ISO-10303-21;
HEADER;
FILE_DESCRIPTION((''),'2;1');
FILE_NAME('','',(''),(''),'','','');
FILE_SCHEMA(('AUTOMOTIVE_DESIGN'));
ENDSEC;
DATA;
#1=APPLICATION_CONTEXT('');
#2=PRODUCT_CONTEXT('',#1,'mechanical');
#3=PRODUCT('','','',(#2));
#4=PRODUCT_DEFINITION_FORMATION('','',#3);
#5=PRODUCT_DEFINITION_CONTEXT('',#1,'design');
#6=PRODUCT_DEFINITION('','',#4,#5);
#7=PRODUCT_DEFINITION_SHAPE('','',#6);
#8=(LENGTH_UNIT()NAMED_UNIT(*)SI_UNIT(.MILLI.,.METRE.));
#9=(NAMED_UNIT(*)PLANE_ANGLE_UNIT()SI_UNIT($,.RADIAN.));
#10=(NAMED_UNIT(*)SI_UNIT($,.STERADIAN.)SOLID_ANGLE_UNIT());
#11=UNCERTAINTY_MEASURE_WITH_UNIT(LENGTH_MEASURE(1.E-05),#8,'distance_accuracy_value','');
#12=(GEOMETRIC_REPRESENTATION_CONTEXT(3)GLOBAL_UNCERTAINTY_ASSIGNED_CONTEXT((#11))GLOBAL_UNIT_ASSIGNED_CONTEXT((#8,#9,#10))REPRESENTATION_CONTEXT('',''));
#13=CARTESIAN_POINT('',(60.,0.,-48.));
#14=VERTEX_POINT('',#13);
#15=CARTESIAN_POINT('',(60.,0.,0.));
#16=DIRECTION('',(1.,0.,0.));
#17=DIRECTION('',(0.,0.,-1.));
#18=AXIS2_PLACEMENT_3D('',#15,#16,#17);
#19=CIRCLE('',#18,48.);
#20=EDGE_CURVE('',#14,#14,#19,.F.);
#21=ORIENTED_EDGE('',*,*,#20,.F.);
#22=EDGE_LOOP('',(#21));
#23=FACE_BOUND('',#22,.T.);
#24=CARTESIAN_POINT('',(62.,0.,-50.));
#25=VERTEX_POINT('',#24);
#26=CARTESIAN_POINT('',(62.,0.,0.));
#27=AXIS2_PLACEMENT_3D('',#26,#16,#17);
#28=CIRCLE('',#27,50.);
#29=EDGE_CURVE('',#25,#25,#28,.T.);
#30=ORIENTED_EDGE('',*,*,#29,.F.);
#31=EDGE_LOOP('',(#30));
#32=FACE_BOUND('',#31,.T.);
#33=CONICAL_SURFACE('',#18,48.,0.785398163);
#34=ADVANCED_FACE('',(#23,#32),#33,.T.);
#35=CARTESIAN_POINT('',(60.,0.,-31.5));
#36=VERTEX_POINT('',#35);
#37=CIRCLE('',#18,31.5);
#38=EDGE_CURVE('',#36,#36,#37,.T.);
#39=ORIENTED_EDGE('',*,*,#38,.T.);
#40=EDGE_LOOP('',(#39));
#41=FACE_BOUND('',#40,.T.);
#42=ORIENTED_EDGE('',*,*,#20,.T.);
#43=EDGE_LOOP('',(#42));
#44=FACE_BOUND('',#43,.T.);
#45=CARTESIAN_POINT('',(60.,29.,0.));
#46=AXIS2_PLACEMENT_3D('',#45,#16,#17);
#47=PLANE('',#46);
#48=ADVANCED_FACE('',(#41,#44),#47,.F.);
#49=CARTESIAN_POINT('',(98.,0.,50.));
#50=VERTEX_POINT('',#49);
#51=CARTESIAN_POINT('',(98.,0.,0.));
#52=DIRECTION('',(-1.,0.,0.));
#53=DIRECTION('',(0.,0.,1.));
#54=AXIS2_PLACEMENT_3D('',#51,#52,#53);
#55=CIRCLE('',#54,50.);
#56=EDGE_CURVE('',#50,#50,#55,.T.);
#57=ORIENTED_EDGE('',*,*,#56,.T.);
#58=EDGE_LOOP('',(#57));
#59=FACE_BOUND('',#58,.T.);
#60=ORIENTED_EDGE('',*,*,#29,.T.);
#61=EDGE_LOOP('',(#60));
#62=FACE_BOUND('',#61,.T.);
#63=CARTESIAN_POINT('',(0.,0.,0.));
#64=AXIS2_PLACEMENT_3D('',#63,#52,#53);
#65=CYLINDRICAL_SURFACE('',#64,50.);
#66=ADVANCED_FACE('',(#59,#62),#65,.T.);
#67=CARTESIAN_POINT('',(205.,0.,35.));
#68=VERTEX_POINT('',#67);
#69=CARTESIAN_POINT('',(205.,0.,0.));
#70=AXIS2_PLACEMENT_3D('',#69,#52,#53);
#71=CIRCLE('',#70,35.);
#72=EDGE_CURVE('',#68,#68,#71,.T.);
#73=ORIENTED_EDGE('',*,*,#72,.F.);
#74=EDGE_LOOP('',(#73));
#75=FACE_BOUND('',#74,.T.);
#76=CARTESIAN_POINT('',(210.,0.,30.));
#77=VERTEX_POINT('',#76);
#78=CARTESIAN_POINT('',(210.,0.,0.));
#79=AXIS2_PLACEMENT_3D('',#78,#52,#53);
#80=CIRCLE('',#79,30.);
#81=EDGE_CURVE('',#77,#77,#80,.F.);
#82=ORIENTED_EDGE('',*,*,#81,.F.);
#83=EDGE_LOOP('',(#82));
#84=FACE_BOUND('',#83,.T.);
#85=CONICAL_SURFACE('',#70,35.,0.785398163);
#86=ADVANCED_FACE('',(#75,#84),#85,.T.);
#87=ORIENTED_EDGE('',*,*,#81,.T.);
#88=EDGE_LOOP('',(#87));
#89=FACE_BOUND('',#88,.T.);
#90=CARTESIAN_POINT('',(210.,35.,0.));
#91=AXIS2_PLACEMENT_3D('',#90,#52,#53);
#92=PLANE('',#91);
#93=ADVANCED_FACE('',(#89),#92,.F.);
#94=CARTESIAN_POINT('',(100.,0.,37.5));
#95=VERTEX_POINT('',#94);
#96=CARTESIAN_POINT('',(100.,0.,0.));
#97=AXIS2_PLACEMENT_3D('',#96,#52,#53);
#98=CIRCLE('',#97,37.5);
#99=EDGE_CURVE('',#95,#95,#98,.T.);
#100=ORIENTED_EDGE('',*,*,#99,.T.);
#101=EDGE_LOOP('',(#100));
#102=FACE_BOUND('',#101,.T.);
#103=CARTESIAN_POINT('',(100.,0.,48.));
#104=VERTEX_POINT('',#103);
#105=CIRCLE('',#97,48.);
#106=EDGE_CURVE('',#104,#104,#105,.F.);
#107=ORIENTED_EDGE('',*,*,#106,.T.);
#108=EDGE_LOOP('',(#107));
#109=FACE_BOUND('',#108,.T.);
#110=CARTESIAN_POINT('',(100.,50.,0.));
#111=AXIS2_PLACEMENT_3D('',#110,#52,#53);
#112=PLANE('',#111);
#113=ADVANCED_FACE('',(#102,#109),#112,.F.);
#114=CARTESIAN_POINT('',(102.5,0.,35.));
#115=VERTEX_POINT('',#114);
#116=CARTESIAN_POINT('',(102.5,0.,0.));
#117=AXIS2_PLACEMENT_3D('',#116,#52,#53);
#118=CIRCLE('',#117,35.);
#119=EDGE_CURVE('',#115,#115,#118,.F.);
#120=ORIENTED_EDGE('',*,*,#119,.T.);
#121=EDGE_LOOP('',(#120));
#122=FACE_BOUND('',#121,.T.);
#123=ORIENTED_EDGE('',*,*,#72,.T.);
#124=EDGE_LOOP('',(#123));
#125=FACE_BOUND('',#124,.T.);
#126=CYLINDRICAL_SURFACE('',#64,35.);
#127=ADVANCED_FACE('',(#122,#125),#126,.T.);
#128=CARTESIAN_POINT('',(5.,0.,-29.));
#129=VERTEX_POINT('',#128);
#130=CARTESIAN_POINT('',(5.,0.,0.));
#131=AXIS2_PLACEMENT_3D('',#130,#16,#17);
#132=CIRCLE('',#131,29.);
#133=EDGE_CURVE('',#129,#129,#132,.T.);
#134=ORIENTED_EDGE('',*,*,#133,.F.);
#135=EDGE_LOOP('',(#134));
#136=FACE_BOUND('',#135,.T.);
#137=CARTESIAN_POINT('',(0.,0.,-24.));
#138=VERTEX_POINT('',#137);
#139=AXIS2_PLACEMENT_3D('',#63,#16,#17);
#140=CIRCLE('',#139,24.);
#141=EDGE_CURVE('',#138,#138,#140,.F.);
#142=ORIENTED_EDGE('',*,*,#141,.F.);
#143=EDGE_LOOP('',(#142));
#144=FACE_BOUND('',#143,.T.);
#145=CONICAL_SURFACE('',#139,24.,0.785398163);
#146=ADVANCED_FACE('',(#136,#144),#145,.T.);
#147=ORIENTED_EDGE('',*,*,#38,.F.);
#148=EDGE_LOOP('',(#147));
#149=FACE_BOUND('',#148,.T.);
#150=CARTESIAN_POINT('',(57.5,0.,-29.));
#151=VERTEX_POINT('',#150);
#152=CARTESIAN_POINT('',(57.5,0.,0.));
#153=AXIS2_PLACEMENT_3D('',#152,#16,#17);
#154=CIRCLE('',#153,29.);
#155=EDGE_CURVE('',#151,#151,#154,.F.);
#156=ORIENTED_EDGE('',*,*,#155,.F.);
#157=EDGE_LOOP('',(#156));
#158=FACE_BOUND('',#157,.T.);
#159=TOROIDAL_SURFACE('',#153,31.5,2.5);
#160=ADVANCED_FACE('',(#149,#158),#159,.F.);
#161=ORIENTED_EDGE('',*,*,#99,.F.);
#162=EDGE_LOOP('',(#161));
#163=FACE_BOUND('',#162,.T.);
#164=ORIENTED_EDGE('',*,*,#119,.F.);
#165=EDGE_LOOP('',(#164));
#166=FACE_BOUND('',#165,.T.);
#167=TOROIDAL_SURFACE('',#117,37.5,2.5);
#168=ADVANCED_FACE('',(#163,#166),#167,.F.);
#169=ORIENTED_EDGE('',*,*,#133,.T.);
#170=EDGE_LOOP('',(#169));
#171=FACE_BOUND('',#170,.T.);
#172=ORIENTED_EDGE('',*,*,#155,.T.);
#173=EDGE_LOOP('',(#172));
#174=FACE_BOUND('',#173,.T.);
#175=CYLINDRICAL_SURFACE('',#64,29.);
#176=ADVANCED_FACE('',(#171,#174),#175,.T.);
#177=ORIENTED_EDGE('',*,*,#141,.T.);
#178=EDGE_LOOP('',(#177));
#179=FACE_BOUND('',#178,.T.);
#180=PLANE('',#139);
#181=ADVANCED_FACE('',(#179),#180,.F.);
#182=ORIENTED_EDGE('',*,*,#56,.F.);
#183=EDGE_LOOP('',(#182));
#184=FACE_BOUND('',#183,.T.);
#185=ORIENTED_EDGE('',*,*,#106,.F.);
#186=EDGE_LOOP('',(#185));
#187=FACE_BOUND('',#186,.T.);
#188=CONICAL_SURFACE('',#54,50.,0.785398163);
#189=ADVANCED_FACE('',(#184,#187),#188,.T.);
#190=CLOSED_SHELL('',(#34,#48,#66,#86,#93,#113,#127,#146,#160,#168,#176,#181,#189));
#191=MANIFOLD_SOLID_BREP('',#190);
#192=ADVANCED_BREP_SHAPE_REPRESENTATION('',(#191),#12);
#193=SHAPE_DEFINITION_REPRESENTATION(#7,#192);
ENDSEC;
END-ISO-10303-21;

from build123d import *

# Parameters (mm, degrees)
CHAMFER1_SIZE = 5
CHAMFER2_SIZE = 2
FILLET1_R     = 2.5


with BuildPart() as part:
    # Sketch1 → Revolve1 (revolve)
    with BuildSketch(Plane.XY, mode=Mode.PRIVATE) as revolve1_sk:
        Polygon((0, 0), (0, 29), (60, 29), (60, 50), (100, 50), (100, 35), (210, 35), (210, 0), align=None)
    revolve(revolve1_sk.sketch.rotate(Axis((0, 0, 0), (1, 0, 0)), 90), axis=Axis((0, 0, 0), (1, 0, 0)))

    # Chamfer1
    chamfer1_edges = [part.edges().sort_by_distance(p)[0] for p in [
        (210, 0, -35),
        (0, 0, -29),
    ]]
    chamfer(chamfer1_edges, length=CHAMFER1_SIZE)

    # Chamfer2
    chamfer2_edges = [part.edges().sort_by_distance(p)[0] for p in [
        (100, 0, -50),
        (60, 0, -50),
    ]]
    chamfer(chamfer2_edges, length=CHAMFER2_SIZE)

    # Fillet1
    fillet1_edges = [part.edges().sort_by_distance(p)[0] for p in [
        (100, 0, -35),
        (60, 0, -29),
    ]]
    fillet(fillet1_edges, radius=FILLET1_R)


solid = part.part
